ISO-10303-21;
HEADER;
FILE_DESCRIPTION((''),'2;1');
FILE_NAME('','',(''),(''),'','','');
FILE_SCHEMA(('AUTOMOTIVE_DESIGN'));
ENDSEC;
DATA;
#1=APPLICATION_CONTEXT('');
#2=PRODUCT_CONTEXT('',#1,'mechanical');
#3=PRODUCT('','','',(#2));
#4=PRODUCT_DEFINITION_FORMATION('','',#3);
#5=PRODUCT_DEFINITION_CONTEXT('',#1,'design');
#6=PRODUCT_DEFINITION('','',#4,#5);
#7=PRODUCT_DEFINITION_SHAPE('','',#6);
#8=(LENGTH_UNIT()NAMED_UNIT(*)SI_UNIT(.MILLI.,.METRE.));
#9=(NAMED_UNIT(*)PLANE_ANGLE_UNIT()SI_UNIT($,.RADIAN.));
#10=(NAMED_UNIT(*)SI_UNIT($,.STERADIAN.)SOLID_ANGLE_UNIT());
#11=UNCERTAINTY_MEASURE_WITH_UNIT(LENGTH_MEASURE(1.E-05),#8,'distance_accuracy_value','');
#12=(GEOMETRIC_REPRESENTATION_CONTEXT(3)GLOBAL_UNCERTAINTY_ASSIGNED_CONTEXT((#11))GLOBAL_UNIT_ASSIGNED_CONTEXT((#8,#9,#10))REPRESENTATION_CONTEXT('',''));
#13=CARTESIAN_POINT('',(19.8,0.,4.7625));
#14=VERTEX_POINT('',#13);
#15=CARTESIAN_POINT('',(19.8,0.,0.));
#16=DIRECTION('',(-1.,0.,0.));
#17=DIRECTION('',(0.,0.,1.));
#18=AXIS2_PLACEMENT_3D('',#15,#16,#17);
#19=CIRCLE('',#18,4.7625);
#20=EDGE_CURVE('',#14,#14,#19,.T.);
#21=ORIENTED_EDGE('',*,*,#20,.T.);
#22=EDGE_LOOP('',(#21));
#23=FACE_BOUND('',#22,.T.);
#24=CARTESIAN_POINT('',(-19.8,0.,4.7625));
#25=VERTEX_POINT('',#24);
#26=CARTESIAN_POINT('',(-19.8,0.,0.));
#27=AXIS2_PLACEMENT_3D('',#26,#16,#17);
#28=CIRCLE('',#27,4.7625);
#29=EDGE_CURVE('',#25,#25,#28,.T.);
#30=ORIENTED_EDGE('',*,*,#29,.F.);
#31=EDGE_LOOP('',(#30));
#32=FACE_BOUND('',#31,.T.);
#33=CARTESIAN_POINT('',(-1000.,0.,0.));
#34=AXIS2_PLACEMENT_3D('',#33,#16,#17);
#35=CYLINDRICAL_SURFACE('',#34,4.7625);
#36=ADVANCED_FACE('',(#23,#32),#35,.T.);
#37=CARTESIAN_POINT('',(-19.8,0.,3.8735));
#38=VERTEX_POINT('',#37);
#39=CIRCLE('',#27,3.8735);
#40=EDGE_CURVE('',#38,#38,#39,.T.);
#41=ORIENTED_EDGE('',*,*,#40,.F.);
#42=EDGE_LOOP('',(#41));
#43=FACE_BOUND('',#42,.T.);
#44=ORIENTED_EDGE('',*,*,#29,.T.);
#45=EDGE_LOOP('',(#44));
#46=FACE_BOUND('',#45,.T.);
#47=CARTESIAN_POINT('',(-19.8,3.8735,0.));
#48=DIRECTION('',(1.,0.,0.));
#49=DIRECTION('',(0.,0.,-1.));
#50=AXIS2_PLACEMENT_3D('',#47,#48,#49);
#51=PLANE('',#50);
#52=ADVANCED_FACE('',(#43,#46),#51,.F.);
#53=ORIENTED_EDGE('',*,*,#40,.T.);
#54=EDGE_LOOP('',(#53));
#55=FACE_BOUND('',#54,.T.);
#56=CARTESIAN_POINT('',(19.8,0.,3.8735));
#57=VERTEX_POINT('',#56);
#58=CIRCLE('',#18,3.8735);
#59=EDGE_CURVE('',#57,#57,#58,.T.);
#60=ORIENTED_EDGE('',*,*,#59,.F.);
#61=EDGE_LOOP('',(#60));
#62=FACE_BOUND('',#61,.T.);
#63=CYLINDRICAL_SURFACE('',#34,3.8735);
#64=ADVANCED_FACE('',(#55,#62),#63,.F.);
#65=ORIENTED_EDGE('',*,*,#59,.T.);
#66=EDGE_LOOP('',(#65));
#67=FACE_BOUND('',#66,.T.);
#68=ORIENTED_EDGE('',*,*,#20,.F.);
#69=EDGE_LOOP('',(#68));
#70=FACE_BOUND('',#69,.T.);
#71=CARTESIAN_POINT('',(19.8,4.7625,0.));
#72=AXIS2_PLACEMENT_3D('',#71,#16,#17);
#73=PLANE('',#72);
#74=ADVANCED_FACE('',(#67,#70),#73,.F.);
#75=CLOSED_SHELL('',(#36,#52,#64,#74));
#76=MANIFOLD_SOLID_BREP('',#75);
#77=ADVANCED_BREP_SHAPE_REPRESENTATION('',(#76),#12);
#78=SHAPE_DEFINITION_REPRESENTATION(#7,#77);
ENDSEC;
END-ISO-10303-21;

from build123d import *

# Parameters (mm, degrees)
TUBE_T6_STUB_SKETCH_W = 39.6
TUBE_T6_STUB_SKETCH_H = 0.889


with BuildPart() as part:
    # Tube_T6_Stub Sketch → Tube_T6_Stub (revolve)
    with BuildSketch(Plane.XY):
        with Locations((0, 4.318)):
            Rectangle(TUBE_T6_STUB_SKETCH_W, TUBE_T6_STUB_SKETCH_H)
    revolve(axis=Axis((-1000, 0, 0), (1, 0, 0)))


solid = part.part
